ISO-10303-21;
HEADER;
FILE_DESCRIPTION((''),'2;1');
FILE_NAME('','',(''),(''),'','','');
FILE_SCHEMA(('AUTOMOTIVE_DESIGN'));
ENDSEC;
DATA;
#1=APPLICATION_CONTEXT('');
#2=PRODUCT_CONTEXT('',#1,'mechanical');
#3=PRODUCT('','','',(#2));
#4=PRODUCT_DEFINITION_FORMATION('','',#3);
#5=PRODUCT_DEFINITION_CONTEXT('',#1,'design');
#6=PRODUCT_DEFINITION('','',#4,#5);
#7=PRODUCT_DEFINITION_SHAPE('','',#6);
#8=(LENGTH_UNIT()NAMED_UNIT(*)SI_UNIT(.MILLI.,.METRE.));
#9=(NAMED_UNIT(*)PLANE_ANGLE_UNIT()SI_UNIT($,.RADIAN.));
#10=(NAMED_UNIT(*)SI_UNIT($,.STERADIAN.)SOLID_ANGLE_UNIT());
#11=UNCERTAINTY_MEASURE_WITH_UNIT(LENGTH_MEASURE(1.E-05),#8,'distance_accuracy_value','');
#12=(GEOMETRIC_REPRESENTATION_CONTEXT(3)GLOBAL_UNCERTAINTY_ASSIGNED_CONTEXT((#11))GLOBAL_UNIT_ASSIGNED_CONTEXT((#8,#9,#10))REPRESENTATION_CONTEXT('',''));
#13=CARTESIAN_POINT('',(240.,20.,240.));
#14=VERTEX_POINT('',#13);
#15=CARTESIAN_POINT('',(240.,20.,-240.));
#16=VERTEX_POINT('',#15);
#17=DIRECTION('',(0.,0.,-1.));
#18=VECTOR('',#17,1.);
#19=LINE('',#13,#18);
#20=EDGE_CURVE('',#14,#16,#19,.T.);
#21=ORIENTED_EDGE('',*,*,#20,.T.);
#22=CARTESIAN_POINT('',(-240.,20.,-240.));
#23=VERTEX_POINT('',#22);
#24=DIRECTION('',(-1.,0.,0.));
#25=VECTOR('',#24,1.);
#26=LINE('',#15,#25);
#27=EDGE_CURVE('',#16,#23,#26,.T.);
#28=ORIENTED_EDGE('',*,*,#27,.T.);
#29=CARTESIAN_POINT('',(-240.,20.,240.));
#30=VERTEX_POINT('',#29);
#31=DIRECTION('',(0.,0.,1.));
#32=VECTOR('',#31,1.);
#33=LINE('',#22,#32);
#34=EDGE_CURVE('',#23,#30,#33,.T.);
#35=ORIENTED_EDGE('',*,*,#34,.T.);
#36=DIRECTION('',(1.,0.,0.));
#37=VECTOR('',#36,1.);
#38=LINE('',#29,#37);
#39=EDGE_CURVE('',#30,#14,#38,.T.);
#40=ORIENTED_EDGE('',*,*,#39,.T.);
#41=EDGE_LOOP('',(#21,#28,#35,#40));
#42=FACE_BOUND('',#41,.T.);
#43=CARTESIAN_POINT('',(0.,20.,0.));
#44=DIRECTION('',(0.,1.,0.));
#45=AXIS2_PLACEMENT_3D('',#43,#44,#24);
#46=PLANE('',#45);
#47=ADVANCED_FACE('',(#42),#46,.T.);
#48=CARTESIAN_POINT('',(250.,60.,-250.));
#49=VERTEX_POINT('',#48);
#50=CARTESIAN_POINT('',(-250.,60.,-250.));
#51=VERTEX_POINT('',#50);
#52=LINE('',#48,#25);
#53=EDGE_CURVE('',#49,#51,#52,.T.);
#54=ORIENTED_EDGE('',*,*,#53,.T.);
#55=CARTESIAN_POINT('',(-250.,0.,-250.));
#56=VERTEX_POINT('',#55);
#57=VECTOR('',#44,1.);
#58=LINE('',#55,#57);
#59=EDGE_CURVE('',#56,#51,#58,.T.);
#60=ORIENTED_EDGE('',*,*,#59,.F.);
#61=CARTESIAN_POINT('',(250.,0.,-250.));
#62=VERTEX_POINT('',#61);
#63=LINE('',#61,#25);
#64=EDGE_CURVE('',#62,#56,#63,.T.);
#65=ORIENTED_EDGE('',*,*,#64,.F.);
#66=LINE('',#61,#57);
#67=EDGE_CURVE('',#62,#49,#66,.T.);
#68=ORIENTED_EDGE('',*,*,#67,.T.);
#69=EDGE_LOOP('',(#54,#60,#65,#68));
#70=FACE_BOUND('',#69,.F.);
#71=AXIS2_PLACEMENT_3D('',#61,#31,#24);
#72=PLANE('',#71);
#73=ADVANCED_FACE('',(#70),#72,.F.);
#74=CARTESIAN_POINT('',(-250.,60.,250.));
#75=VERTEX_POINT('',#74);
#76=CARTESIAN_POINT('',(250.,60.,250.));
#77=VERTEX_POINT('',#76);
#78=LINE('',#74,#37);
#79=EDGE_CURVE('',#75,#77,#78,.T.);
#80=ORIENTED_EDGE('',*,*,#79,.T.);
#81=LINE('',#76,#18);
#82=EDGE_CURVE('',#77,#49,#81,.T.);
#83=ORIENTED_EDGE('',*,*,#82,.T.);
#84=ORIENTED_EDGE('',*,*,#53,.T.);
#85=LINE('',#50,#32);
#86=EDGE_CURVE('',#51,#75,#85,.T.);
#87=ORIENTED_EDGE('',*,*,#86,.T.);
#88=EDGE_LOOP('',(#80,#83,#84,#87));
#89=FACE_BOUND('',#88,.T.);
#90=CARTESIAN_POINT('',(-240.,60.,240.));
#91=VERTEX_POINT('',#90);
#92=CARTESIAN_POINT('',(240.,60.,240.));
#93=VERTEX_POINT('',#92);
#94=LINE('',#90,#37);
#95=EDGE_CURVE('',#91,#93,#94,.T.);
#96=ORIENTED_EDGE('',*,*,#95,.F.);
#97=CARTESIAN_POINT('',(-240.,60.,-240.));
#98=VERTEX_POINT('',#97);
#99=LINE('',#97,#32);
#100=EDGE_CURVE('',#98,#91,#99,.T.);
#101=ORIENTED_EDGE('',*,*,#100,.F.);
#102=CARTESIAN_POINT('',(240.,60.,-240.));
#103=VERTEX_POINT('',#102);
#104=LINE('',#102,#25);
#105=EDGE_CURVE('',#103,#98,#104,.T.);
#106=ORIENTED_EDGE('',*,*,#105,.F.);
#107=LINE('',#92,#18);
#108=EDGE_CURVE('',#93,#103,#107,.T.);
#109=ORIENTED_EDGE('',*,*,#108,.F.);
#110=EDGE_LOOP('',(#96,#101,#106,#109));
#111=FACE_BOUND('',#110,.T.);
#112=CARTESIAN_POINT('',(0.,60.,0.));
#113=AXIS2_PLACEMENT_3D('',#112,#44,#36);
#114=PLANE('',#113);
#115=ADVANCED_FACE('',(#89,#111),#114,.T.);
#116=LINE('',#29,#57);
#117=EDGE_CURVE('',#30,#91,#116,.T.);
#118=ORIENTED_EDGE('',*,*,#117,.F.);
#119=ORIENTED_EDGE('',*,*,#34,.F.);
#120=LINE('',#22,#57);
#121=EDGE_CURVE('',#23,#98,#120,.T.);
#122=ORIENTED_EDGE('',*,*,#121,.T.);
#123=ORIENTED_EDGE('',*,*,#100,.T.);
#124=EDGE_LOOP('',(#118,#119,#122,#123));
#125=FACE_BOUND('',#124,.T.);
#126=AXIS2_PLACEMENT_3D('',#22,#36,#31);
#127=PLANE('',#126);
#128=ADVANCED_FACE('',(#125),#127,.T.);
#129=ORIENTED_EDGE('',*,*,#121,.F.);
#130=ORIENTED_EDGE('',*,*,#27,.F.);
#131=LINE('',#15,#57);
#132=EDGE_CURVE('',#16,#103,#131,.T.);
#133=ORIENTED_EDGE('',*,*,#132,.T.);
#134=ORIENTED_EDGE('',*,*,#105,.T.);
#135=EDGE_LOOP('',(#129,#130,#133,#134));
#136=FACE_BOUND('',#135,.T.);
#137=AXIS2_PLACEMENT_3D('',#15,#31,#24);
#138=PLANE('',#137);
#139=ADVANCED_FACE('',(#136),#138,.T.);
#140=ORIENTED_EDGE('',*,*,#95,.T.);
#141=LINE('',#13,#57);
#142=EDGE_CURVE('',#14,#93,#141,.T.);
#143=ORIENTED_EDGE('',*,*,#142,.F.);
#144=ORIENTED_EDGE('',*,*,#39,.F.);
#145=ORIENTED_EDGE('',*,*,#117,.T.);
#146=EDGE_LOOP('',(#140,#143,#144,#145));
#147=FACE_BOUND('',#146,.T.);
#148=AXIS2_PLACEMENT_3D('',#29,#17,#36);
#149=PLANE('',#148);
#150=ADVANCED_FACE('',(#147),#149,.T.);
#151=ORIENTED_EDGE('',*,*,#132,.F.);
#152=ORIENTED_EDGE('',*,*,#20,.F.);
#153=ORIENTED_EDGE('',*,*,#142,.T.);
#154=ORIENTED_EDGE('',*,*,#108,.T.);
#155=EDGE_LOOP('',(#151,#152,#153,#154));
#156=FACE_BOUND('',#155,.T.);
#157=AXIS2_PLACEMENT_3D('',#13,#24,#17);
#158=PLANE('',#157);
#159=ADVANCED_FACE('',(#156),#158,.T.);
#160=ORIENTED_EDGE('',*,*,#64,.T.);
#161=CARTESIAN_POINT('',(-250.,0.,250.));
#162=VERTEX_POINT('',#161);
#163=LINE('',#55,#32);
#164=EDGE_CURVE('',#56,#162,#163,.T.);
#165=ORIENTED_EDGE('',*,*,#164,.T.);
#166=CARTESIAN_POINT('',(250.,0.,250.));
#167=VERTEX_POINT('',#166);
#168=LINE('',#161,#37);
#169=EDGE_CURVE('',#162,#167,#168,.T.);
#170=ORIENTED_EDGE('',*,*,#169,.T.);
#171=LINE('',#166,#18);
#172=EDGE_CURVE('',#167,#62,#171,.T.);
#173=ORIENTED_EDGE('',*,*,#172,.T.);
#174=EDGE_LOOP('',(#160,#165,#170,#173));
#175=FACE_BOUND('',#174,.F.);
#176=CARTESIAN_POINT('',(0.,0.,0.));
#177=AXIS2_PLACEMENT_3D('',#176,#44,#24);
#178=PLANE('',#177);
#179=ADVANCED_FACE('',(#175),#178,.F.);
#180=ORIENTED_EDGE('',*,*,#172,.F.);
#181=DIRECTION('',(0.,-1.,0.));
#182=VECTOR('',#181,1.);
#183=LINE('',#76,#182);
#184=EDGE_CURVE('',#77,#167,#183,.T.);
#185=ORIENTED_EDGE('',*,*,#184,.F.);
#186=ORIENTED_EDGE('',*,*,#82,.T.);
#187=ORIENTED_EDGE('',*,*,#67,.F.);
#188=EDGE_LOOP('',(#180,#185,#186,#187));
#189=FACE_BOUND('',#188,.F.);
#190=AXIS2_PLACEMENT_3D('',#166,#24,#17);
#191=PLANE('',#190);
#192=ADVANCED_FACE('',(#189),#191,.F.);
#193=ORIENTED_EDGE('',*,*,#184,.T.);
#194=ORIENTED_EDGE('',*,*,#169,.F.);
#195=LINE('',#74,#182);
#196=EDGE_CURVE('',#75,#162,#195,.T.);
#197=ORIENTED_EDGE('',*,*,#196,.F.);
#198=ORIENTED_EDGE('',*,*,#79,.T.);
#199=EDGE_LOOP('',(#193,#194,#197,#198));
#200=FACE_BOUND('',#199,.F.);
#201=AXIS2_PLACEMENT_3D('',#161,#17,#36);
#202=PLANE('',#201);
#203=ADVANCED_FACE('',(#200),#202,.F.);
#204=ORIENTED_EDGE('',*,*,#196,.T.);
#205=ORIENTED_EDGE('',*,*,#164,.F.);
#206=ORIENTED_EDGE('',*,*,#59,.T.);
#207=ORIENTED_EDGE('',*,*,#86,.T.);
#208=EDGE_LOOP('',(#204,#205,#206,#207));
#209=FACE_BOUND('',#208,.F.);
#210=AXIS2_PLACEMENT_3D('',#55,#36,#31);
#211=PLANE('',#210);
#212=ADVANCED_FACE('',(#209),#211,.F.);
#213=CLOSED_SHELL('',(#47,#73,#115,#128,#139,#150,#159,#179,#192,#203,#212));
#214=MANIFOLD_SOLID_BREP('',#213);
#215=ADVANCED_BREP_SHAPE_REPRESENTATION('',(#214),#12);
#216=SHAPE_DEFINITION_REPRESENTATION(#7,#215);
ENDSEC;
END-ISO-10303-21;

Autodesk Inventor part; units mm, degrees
ref_plane "YZ Plane" through (0, 0, 0) normal (1, 0, 0) x (0, 1, 0)
ref_plane "XZ Plane" through (0, 0, 0) normal (0, 1, 0) x (-1, 0, 0)
ref_plane "XY Plane" through (0, 0, 0) normal (0, 0, 1) x (1, 0, 0)
sketch "Эскиз1" plane through (0, 0, 0) normal (0, 1, 0) x (-1, 0, 0)
  line L0 (-250, -250) -> (250, -250)
  line L1 (250, -250) -> (250, 250)
  line L2 (250, 250) -> (-250, 250)
  line L3 (-250, 250) -> (-250, -250)
  line L4 (-250, -250) -> (250, 250) construction
  line L5 (250, -250) -> (-250, 250) construction
  point P0 (0, 0)
  dimension "d0" = 500
  dimension "d1" = 500
extrude "Выдавливание1" add sketch "Эскиз1" along normal blind 20
sketch "Эскиз2" plane through (0, 20, 0) normal (0, 1, 0) x (1, 0, 0)
  line L0 (-250, 250) -> (-250, -250) projected
  line L1 (250, 250) -> (-250, 250)
  line L2 (-250, 250) -> (-250, -250)
  line L3 (-250, -250) -> (250, -250)
  line L4 (250, -250) -> (250, 250)
  line L5 (250, 250) -> (-250, -250) construction
  line L6 (-250, 250) -> (250, -250) construction
  line L7 (240, 240) -> (-240, 240)
  line L8 (-240, 240) -> (-240, -240)
  line L9 (-240, -240) -> (240, -240)
  line L10 (240, -240) -> (240, 240)
  line L11 (240, 240) -> (-240, -240) construction
  line L12 (-240, 240) -> (240, -240) construction
  point P0 (0, 0)
  dimension "d4" = 480
  dimension "d5" = 480
extrude "Выдавливание2" add sketch "Эскиз2" along normal blind 40
